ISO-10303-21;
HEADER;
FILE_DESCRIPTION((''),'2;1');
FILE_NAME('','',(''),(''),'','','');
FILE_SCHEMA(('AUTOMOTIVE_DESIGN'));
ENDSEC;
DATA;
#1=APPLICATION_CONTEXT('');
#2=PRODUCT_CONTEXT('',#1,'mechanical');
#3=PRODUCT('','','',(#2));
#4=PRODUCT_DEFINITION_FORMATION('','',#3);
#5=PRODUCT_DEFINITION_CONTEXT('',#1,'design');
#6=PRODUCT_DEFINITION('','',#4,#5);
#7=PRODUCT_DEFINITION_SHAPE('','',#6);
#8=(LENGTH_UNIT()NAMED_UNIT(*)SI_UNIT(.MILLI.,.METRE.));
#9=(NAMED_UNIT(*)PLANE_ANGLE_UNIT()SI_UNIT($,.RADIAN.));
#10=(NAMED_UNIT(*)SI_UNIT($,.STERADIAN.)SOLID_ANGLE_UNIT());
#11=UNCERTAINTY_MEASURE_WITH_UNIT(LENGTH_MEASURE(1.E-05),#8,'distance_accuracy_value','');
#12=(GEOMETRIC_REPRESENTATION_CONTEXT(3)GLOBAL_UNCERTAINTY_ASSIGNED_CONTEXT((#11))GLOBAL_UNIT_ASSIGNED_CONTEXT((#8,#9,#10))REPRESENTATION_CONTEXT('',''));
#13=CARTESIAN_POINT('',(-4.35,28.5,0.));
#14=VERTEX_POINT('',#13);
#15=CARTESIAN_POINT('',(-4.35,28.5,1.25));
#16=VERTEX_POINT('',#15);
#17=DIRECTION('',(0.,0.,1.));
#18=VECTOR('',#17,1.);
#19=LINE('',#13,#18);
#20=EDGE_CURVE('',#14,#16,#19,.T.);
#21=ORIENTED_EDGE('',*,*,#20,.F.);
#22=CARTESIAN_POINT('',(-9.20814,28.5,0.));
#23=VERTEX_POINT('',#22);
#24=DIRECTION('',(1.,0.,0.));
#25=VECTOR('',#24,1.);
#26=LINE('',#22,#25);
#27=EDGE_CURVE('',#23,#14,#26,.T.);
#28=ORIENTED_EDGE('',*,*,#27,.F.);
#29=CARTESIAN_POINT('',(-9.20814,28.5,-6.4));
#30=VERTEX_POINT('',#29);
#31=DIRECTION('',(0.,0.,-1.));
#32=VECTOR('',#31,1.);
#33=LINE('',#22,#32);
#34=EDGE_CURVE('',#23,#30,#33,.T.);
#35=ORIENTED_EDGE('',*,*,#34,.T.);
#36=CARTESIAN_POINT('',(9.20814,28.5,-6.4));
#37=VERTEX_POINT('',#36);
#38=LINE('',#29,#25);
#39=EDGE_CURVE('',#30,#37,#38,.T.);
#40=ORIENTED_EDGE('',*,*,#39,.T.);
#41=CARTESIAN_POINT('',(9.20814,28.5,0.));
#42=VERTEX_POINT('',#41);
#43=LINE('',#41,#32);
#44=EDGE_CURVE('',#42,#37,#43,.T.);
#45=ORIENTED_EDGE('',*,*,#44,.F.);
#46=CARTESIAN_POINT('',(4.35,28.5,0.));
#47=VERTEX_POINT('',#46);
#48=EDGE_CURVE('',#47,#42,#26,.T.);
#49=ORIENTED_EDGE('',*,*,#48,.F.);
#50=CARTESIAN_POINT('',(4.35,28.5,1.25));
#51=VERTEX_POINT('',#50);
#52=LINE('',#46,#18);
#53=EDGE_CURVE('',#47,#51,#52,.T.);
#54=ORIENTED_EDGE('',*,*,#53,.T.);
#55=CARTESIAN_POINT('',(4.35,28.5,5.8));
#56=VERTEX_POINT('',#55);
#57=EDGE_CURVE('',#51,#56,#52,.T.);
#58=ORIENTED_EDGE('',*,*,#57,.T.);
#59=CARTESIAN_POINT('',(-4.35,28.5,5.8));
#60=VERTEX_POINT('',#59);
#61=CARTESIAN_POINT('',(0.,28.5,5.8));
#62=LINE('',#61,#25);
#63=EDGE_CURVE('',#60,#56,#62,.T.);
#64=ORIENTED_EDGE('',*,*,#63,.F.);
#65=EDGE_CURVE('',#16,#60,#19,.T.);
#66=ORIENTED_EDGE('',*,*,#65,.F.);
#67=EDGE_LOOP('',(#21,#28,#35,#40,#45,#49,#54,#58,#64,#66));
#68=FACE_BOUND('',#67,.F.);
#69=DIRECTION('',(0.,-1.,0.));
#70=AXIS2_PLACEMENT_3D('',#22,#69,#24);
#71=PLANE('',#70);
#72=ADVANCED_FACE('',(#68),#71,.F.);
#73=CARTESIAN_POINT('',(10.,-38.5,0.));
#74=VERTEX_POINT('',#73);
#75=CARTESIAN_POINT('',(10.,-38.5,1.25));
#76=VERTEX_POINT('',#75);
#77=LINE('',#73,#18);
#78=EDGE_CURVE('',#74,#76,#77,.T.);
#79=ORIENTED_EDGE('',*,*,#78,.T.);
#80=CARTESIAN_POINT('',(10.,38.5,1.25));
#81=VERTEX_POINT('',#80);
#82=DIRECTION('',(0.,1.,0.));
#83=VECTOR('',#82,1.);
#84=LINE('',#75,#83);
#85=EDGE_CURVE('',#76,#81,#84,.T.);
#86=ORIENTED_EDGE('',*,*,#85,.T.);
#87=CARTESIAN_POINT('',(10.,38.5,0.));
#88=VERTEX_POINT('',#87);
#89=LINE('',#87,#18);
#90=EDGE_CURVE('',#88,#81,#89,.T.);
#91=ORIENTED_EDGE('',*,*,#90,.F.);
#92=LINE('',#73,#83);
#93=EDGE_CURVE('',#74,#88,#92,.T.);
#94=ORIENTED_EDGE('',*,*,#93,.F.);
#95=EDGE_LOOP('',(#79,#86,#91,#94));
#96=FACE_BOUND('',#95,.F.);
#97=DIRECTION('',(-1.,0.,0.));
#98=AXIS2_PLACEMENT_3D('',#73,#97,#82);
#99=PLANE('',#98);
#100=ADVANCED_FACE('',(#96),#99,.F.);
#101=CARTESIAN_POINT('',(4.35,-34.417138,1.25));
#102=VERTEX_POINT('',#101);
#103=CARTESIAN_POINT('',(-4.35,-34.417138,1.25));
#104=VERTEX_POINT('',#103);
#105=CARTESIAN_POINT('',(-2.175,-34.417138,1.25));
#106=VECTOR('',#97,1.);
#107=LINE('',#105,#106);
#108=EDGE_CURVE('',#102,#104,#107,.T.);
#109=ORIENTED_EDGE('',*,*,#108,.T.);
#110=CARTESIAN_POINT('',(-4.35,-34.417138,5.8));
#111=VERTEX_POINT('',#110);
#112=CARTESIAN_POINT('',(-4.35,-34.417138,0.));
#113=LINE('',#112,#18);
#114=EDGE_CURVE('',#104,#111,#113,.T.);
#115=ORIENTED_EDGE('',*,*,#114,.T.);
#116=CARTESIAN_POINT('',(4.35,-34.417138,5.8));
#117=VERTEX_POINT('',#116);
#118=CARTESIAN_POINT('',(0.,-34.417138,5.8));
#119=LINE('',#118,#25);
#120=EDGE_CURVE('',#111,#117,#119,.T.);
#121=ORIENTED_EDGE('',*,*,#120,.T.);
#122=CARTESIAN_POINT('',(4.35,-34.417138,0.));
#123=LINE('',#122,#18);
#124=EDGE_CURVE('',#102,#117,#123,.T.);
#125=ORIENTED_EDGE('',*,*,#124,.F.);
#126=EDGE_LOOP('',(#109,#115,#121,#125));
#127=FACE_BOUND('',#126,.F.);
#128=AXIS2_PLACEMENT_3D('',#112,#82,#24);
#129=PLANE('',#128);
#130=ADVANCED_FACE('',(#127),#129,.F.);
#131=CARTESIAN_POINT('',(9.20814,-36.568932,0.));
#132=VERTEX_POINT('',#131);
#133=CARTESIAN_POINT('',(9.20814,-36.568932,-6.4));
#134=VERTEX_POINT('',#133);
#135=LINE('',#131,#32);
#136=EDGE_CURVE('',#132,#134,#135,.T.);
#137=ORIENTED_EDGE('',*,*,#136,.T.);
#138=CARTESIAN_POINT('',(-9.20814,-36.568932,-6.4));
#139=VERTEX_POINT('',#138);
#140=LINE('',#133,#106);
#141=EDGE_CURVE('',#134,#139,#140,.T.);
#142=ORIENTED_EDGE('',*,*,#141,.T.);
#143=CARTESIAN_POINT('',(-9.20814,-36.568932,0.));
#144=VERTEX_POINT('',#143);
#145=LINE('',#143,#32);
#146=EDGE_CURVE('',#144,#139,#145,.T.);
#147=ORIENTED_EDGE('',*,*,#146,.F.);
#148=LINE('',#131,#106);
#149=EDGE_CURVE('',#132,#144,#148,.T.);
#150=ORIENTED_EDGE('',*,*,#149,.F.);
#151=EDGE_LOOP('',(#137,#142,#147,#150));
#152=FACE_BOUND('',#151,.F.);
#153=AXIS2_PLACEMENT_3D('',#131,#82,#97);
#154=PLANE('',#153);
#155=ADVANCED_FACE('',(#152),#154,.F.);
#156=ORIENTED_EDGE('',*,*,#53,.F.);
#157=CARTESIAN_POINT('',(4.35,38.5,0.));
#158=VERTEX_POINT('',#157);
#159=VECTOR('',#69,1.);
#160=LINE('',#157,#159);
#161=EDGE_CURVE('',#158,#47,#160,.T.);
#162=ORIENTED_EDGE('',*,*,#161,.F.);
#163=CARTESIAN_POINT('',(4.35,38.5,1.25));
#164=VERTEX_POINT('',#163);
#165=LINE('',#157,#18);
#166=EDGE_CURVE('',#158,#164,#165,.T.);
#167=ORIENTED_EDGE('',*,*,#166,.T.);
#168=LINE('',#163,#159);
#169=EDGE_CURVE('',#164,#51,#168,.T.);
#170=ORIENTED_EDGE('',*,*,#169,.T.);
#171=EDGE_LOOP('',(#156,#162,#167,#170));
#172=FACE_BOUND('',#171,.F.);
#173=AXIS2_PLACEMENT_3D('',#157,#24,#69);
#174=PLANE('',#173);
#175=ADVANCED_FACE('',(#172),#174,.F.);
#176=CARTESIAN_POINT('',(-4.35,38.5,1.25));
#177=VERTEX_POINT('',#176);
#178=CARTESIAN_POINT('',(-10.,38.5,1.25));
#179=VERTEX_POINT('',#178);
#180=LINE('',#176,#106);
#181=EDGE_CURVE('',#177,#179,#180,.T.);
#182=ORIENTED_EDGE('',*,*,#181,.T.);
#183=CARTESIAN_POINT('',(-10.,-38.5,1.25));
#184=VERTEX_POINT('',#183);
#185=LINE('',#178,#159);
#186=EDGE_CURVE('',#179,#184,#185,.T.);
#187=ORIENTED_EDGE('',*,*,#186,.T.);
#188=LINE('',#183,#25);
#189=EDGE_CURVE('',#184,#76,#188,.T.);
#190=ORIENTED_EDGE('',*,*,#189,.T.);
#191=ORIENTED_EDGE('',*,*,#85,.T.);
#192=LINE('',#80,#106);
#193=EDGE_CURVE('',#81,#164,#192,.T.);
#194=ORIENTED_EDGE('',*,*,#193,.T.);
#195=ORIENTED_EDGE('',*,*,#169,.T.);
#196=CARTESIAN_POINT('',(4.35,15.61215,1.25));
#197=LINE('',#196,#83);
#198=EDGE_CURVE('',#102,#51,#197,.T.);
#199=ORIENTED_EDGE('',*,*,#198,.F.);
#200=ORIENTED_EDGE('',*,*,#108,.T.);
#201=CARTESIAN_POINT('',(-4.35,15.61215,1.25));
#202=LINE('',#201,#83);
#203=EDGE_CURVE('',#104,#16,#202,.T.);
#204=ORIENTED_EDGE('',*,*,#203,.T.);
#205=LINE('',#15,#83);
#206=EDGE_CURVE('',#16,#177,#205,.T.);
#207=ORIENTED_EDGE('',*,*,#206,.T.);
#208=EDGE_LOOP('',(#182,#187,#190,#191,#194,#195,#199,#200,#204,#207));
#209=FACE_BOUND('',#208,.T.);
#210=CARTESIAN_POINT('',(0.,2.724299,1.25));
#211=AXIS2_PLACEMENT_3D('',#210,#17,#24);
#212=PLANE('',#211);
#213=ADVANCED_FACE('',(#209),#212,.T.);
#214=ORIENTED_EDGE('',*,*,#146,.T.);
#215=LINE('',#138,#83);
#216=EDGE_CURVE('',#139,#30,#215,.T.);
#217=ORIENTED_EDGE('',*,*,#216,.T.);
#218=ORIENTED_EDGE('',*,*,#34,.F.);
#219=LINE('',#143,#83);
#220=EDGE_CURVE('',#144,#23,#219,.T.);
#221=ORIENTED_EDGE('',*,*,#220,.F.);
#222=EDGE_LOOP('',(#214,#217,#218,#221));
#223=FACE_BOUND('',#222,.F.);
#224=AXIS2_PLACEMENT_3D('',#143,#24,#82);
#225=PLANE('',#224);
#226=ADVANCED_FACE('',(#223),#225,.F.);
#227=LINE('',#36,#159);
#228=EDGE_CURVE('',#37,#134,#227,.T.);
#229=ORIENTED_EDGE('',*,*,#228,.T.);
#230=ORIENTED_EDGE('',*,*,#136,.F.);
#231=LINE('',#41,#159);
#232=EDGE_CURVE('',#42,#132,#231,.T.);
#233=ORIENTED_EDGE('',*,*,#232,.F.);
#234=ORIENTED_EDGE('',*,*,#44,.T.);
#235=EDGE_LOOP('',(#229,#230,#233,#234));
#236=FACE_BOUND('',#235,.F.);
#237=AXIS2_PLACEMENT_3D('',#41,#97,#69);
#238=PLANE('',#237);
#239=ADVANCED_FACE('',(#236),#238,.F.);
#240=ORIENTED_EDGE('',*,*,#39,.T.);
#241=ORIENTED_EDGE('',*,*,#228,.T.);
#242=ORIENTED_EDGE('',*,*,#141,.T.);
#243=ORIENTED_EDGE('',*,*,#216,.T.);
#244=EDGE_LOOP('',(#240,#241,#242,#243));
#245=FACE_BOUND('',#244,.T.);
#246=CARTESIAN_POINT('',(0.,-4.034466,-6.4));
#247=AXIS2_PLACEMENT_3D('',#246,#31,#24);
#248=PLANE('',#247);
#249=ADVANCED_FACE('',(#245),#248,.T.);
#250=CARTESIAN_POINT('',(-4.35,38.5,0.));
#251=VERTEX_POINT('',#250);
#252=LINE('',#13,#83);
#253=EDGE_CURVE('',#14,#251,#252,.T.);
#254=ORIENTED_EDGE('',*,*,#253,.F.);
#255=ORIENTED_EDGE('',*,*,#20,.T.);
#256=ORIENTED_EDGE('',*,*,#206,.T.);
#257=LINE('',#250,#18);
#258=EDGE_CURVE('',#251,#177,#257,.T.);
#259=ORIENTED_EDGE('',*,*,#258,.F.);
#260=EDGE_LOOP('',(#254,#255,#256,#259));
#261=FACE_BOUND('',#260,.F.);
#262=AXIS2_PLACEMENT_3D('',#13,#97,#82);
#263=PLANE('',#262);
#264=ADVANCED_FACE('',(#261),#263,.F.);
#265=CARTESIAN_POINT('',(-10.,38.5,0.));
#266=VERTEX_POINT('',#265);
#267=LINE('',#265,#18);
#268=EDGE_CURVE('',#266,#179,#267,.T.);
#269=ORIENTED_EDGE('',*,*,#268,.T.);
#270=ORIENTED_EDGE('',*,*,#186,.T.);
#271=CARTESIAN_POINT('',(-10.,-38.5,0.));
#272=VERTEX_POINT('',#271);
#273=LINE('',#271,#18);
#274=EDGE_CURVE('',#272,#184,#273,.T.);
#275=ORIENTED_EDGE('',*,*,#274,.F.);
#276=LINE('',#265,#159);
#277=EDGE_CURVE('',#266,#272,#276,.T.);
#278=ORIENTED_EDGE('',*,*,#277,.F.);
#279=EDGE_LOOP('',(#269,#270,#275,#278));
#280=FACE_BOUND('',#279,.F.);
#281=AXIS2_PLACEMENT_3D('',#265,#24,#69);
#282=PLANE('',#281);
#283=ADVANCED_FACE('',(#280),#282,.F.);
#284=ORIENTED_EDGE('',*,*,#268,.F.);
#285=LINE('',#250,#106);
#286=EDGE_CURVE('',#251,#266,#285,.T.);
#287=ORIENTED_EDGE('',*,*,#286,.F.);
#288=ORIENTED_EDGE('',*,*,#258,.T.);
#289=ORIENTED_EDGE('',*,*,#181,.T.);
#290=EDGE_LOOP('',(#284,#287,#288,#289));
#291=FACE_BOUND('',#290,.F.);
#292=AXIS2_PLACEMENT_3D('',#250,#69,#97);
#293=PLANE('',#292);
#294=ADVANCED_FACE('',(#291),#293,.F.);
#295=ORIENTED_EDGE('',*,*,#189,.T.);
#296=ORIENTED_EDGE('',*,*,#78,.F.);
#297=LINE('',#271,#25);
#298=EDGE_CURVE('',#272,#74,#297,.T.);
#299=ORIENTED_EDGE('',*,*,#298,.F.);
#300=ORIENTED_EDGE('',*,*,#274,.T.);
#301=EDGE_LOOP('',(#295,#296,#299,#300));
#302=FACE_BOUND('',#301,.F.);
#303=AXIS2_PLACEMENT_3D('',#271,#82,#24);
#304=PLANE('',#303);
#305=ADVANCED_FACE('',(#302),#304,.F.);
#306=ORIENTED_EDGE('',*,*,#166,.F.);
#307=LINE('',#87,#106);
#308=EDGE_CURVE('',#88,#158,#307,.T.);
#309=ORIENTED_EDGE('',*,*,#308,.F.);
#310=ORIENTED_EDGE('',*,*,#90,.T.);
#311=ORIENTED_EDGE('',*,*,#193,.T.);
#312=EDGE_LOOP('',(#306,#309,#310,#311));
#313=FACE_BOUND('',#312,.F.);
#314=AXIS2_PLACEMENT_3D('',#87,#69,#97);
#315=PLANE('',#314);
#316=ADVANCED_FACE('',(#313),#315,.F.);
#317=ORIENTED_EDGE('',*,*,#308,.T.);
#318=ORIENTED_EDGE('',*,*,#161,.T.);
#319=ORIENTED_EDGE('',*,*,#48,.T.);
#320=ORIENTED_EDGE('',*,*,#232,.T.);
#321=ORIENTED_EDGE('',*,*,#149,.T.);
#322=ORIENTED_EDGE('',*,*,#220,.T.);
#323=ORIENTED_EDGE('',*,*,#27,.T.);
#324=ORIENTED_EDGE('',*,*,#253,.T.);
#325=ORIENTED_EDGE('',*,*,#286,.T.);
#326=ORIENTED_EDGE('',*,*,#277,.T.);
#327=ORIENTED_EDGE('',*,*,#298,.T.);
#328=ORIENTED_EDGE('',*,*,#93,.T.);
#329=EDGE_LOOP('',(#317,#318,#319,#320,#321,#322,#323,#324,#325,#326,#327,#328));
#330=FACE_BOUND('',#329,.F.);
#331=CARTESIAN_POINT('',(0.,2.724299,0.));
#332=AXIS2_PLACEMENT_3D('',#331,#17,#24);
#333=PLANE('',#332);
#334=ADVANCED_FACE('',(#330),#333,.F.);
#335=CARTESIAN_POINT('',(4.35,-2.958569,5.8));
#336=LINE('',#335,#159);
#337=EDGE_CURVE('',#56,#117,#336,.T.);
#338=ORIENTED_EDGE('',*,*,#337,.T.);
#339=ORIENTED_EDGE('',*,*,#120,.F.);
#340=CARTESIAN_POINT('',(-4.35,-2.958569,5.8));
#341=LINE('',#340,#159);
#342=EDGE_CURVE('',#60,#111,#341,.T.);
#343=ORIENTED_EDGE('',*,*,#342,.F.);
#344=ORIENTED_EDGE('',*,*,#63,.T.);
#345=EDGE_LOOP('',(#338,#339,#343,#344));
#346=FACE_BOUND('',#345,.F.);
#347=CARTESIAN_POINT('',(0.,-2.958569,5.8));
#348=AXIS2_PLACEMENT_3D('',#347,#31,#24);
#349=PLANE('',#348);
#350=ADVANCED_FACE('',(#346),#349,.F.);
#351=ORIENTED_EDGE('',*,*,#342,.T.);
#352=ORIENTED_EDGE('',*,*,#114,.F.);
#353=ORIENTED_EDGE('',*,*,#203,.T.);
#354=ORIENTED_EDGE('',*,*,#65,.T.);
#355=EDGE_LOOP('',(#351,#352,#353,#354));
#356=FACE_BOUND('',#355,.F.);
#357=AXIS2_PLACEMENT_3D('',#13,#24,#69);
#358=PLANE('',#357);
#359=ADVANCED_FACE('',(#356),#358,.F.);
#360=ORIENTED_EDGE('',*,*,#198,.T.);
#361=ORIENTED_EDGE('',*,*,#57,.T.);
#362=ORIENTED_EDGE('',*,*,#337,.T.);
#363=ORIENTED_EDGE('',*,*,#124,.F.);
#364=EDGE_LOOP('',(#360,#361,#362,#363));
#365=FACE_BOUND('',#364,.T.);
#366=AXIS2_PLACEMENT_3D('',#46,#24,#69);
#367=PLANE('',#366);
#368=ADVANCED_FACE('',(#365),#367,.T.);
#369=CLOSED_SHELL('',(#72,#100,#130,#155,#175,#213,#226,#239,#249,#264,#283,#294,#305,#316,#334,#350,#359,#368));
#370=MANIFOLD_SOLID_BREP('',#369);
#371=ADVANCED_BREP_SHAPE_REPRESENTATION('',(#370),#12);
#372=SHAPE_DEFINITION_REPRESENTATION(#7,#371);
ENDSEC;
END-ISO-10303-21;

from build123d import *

# Parameters (mm, degrees)
F1_DEPTH = 1.25
F2_W     = 8.7
F2_H     = 62.917138
F3_DEPTH = 5.8
F5_DEPTH = 6.4


with BuildPart() as f1:
    # F0 (on Top) → F1 (new body)
    with BuildSketch(Plane.XY):
        Polygon((-10, -38.5), (10, -38.5), (10, 38.5), (4.35, 38.5), (4.35, 28.5), (-4.35, 28.5), (-4.35, 38.5), (-10, 38.5), align=None)
    extrude(amount=F1_DEPTH)

    # F2 (on face) → F3 (join)
    with BuildSketch(Plane(origin=(0, 0, 0), x_dir=(1, 0, 0), z_dir=(0, 0, -1))):
        with Locations((0, 2.958569)):
            Rectangle(F2_W, F2_H)
    extrude(amount=-F3_DEPTH)

    # F4 (on face) → F5 (join)
    with BuildSketch(Plane(origin=(0, 0, 0), x_dir=(1, 0, 0), z_dir=(0, 0, -1))):
        Polygon((-9.20814, 36.568932), (-9.20814, -28.5), (-4.35, -28.5), (4.35, -28.5), (9.20814, -28.5), (9.20814, 36.568932), align=None)
    extrude(amount=F5_DEPTH)


solid = f1.part
